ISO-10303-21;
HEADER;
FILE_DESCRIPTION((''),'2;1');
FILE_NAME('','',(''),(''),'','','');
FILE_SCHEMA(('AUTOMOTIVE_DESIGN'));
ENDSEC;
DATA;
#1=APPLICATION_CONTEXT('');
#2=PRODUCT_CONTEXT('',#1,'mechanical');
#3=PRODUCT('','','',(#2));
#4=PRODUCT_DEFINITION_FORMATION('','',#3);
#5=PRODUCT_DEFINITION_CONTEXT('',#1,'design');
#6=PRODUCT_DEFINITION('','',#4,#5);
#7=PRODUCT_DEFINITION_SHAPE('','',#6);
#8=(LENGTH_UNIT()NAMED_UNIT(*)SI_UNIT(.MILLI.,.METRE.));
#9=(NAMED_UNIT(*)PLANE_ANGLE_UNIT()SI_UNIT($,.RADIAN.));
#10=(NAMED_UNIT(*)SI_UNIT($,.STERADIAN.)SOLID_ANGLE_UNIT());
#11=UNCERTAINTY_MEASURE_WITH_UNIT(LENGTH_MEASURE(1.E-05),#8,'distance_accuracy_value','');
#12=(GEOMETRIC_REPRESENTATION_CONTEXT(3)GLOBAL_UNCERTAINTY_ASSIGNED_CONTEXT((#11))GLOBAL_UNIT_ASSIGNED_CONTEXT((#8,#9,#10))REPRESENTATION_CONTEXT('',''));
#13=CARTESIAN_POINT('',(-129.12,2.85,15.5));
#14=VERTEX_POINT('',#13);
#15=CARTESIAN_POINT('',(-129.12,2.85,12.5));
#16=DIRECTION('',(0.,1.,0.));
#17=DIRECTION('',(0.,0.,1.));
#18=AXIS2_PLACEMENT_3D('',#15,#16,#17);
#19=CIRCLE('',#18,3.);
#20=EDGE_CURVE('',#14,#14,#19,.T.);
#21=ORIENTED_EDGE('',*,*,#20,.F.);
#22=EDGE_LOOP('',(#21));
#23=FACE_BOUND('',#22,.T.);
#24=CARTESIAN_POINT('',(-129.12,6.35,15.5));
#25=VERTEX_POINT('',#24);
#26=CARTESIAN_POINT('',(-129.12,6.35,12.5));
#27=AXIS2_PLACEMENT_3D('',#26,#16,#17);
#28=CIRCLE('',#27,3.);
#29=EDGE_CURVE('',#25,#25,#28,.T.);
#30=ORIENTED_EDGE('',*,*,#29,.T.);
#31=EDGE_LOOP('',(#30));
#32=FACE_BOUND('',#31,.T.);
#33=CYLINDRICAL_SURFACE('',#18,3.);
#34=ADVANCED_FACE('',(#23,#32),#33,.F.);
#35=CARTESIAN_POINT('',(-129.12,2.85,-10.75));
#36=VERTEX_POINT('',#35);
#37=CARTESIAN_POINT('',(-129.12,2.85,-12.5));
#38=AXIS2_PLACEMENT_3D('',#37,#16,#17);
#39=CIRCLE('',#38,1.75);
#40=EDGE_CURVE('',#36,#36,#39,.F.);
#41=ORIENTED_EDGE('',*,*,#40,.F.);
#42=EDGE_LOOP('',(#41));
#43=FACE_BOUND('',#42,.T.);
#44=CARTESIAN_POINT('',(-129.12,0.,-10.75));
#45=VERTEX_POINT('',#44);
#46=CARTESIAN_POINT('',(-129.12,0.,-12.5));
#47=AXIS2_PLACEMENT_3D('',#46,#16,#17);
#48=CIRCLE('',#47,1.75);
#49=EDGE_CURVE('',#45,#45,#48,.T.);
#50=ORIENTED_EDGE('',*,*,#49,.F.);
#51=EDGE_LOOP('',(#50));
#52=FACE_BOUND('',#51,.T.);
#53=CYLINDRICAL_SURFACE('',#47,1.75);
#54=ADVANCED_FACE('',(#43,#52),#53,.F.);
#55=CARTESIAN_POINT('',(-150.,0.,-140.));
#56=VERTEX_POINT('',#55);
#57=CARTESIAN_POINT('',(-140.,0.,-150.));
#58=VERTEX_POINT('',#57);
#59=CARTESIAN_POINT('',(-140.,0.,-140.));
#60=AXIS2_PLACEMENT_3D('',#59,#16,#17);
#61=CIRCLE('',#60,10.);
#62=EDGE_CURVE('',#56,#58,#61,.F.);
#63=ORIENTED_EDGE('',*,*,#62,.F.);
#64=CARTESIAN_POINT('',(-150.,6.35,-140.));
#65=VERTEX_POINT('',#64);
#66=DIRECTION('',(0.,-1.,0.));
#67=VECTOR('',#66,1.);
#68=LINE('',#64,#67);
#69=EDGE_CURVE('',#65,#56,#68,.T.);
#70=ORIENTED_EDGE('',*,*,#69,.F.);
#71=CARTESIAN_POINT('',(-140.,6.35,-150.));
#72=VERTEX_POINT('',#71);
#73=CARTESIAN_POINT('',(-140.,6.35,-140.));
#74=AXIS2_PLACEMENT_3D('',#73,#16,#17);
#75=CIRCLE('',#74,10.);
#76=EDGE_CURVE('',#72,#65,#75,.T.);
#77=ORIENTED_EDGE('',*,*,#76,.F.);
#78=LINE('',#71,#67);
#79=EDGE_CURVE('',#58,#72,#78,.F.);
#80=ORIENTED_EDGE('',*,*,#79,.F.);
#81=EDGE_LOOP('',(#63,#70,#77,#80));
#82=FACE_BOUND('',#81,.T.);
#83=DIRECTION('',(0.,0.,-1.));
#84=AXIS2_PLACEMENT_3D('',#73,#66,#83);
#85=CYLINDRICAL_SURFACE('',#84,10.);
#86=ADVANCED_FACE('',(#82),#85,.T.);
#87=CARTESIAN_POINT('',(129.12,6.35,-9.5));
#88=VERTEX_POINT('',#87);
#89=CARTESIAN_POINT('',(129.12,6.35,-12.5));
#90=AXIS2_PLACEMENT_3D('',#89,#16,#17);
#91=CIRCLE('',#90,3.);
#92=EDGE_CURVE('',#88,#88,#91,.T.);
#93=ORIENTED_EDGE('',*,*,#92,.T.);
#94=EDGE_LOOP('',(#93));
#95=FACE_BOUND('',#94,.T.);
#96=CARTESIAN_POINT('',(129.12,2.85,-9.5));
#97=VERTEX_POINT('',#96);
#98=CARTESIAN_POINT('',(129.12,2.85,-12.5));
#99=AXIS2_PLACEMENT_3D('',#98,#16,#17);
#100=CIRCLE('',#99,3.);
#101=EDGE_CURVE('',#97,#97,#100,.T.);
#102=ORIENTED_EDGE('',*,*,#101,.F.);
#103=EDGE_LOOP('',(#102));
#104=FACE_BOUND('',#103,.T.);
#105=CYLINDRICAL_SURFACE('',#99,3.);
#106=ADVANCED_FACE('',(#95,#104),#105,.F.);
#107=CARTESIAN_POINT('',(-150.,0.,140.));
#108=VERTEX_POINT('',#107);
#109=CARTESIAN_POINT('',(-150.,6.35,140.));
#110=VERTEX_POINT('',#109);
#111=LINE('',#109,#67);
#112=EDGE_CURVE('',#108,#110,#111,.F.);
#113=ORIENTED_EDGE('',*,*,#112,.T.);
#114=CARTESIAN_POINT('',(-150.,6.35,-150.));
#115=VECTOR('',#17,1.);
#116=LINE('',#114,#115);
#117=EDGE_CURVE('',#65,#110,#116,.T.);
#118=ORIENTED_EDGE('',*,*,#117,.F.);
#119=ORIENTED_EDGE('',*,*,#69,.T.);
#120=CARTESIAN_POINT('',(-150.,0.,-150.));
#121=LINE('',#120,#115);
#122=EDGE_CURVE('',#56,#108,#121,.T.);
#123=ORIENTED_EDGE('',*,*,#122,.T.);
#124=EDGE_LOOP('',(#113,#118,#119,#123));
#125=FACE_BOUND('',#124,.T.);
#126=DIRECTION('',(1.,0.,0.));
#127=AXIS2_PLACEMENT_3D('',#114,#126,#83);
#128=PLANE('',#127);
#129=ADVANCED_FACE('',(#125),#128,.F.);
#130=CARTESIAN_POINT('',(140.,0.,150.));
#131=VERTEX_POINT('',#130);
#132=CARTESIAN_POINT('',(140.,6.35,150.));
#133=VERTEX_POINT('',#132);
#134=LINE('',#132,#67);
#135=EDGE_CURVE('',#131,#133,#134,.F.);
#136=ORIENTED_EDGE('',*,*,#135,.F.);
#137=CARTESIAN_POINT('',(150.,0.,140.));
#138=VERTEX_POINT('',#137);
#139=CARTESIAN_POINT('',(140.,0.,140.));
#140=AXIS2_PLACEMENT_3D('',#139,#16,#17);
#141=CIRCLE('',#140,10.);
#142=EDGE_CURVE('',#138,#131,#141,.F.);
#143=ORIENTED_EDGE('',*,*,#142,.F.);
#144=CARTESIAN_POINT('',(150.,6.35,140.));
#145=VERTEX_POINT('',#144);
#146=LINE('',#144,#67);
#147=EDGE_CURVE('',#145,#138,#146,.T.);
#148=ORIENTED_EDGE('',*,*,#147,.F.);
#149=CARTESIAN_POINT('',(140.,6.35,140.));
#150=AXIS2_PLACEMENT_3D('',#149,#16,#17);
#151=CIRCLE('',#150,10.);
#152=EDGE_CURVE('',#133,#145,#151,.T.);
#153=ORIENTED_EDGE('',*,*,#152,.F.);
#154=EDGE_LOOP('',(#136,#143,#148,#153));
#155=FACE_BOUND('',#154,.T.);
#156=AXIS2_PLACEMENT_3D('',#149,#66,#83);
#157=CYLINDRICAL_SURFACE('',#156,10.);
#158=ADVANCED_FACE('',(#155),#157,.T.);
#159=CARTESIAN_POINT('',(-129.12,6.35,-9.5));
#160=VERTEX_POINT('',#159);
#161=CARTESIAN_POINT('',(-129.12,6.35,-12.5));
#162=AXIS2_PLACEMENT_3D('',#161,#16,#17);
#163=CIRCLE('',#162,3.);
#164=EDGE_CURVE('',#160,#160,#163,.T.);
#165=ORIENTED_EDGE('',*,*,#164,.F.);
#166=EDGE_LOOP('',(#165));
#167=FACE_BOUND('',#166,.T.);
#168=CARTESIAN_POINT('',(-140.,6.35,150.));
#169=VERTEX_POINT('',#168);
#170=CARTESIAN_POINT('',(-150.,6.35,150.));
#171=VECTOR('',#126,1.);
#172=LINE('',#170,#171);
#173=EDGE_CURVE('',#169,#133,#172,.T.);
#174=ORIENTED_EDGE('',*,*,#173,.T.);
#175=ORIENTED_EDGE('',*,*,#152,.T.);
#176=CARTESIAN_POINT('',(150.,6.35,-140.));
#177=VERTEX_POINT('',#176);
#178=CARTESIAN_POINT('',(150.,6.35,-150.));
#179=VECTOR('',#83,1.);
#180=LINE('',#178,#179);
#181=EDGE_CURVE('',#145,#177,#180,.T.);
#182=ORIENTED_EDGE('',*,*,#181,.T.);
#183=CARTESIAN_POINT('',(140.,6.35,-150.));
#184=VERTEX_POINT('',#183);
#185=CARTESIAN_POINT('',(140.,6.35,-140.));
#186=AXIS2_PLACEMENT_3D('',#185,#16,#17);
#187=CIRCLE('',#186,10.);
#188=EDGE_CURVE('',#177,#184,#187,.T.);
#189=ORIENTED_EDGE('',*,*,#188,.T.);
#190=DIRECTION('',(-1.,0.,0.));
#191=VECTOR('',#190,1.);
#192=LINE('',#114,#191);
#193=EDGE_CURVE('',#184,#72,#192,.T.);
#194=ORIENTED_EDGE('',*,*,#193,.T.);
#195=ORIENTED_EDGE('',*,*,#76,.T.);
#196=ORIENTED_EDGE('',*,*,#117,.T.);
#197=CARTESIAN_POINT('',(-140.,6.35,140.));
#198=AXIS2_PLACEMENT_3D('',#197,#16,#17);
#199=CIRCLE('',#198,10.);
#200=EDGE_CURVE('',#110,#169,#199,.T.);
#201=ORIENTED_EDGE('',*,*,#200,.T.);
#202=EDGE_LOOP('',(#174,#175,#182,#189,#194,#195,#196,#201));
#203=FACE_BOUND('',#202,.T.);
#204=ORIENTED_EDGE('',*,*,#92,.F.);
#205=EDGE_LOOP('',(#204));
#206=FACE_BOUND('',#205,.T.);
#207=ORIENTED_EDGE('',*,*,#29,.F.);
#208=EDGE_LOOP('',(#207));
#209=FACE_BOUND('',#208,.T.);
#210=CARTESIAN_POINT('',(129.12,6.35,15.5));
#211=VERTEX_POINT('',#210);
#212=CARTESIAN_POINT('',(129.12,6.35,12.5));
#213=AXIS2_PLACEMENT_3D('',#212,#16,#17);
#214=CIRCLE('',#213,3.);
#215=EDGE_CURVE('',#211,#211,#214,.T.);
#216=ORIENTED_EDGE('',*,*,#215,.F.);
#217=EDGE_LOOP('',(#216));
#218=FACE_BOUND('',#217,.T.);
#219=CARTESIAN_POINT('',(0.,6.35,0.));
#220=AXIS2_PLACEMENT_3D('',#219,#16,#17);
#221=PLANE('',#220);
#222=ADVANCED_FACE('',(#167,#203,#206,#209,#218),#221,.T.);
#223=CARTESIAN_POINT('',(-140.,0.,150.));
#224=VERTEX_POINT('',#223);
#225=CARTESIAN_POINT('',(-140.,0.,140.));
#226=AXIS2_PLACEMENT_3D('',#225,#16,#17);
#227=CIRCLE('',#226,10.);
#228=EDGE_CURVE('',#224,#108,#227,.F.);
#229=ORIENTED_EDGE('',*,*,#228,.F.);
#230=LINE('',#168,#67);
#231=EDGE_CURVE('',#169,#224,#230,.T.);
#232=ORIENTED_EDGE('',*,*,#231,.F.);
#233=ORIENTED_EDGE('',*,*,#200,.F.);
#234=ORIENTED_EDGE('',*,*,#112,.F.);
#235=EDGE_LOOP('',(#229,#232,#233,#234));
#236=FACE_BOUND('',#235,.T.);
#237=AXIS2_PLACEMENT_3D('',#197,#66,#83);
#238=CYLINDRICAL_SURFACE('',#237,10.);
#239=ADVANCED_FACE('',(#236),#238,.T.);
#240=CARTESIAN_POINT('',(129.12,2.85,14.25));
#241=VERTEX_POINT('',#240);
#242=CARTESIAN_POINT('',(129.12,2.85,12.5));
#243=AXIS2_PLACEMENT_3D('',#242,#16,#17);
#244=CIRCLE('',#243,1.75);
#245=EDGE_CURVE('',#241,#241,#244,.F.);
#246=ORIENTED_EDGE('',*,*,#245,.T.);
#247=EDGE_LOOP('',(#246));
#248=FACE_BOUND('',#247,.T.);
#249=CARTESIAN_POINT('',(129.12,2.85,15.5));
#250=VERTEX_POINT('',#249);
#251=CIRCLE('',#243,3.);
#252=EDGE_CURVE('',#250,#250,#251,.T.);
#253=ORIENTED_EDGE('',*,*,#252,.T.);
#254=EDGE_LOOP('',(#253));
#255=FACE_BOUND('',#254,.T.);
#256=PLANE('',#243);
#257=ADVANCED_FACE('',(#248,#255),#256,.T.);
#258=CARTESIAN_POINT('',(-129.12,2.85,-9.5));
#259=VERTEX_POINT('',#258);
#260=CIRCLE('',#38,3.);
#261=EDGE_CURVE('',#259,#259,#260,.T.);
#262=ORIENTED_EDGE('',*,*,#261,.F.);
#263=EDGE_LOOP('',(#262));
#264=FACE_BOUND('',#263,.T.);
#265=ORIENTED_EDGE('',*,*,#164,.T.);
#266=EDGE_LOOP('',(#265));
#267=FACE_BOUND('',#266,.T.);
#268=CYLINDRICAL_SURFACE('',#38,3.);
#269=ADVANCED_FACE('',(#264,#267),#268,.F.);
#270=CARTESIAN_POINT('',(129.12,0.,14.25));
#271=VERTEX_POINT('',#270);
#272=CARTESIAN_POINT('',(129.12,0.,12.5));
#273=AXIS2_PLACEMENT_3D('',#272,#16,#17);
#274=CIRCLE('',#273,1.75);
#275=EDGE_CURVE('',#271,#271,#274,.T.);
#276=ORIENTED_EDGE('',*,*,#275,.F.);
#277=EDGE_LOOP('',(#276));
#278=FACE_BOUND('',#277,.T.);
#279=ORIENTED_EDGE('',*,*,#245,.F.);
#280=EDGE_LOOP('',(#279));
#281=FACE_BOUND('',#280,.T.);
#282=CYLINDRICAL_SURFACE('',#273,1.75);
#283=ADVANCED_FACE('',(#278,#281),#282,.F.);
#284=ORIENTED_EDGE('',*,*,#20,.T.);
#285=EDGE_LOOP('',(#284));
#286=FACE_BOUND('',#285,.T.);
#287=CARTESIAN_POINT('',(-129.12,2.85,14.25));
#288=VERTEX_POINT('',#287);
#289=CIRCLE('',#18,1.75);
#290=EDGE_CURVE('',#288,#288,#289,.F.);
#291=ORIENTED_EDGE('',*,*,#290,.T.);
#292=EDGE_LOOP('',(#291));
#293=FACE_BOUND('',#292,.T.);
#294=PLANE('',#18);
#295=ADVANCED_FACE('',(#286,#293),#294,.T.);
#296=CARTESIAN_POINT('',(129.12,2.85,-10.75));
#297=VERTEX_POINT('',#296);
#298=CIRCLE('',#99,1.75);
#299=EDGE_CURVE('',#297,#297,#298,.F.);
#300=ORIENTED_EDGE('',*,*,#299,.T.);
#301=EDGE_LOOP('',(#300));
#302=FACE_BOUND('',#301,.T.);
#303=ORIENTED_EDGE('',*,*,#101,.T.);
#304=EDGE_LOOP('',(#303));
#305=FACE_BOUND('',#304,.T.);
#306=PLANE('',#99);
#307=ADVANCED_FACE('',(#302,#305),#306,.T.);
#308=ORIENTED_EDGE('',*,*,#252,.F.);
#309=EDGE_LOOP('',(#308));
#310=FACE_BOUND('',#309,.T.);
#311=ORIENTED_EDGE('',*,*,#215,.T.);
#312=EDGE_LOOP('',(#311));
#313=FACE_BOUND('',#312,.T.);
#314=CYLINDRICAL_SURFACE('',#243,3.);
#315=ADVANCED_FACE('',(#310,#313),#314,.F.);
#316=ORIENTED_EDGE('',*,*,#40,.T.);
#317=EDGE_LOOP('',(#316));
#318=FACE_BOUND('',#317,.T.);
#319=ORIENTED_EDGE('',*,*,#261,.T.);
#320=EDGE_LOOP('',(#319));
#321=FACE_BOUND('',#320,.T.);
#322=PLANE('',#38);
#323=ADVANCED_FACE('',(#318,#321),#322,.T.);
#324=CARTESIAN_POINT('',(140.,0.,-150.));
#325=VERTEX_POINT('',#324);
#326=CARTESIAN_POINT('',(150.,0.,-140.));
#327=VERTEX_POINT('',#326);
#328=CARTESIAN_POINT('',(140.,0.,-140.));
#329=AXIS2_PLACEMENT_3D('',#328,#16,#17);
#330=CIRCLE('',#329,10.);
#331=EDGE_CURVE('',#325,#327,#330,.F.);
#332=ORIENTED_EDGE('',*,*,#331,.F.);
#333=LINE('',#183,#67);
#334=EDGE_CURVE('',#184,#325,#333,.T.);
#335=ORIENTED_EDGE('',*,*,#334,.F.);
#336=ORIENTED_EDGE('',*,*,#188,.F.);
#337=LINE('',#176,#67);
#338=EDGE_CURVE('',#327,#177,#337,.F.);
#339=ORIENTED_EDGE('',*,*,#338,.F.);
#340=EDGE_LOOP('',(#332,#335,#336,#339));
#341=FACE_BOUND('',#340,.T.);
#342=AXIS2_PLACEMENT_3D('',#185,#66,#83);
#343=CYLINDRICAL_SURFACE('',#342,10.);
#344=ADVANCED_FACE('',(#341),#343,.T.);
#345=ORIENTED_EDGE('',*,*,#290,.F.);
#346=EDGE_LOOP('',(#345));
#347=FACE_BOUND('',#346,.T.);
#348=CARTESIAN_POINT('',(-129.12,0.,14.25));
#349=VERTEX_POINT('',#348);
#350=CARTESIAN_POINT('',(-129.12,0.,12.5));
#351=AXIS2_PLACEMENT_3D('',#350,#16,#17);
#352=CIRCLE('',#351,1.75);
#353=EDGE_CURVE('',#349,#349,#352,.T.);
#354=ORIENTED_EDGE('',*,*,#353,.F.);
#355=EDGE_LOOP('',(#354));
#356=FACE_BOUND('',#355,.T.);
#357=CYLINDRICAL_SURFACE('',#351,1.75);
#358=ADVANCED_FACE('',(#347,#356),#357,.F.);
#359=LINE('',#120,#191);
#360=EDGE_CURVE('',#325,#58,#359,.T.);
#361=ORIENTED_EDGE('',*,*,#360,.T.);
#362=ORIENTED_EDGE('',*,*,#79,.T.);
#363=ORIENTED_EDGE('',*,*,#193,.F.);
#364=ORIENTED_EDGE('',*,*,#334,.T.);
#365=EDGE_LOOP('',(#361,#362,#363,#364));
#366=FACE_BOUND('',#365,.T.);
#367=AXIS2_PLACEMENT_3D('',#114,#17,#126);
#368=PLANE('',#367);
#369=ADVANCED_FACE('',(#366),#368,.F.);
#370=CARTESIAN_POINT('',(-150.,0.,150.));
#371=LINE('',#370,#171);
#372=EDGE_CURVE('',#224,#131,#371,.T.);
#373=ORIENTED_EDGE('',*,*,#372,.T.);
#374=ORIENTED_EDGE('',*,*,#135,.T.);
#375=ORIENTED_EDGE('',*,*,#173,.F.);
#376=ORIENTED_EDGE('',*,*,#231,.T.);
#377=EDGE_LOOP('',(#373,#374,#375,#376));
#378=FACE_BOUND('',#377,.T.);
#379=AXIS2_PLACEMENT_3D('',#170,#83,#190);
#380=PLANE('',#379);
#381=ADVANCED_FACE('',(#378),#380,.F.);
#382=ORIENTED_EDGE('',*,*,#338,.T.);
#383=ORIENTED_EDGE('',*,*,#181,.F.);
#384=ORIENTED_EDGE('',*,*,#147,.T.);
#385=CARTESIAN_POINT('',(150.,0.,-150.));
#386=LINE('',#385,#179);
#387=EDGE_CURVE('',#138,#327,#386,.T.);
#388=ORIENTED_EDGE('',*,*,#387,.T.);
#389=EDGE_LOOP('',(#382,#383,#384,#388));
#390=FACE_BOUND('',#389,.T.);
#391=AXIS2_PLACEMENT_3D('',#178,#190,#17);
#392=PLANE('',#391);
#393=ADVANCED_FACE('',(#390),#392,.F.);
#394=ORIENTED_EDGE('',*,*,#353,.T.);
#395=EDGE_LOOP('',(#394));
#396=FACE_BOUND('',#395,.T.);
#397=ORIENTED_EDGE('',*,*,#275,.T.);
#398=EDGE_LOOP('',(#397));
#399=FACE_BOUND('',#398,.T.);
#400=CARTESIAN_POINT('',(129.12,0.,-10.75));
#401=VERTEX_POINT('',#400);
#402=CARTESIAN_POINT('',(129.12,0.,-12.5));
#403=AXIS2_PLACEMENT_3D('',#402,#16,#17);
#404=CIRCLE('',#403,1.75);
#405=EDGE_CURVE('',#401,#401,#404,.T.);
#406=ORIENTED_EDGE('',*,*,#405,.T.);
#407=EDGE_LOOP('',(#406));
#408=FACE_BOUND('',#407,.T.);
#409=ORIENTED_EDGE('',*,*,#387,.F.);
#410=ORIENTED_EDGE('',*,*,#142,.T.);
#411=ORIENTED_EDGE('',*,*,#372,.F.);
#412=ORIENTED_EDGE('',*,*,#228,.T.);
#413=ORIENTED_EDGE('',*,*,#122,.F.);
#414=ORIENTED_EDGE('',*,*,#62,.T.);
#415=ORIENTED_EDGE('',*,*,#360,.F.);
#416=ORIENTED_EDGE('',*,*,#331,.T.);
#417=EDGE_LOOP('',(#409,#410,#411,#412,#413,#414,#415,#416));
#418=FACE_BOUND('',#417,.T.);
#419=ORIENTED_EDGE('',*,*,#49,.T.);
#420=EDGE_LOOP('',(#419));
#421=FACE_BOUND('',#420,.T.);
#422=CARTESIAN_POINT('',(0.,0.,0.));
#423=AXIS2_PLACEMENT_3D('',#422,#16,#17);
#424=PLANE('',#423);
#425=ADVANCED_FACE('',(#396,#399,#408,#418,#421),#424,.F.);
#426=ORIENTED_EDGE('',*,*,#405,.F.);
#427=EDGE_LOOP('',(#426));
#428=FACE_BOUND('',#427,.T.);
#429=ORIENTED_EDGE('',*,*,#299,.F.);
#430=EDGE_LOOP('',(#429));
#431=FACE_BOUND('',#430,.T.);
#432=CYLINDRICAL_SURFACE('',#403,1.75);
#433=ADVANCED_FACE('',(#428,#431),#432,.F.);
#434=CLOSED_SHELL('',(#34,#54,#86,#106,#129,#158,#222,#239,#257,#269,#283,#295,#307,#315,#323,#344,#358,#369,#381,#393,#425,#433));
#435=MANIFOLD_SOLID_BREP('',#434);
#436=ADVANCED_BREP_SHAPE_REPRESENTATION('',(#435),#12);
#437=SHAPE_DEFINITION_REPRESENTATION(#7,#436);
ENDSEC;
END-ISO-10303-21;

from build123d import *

# Parameters (mm, degrees)
SKETCH1_W            = 300
SKETCH1_H            = 300
BOSS_EXTRUDE1_DEPTH  = 6.35
FILLET1_R            = 10
SKETCH2_R            = 1.75
CUT_EXTRUDE1_DEPTH   = 7.35
SKETCH3_R            = 3
CUT_EXTRUDE2_DEPTH   = 3.5
LPATTERN1_COUNT      = 2
LPATTERN1_PITCH      = 25
LPATTERN1_COUNT_DIR2 = 2
LPATTERN1_PITCH_DIR2 = 258.24


with BuildPart() as part:
    # Sketch1 → Boss-Extrude1 (new body)
    with BuildSketch(Plane(origin=(0, 0, 0), x_dir=(1, 0, 0), z_dir=(0, 1, 0))):
        Rectangle(SKETCH1_W, SKETCH1_H)
    extrude(amount=BOSS_EXTRUDE1_DEPTH)

    # Fillet1
    fillet1_edges = [part.edges().sort_by_distance(p)[0] for p in [
        (150, 3.175, 150),
        (-150, 3.175, 150),
        (-150, 3.175, -150),
        (150, 3.175, -150),
    ]]
    fillet(fillet1_edges, radius=FILLET1_R)

    # Sketch2 → Cut-Extrude1 (cut, through all)
    with BuildSketch(Plane(origin=(0, 6.35, 0), x_dir=(1, 0, 0), z_dir=(0, 1, 0))):
        with Locations((-129.12, 12.5)):
            Circle(SKETCH2_R)
        with Locations((-129.12, -12.5)):
            Circle(SKETCH2_R)
        with Locations((129.12, 12.5)):
            Circle(SKETCH2_R)
        with Locations((129.12, -12.5)):
            Circle(SKETCH2_R)
    extrude(amount=-CUT_EXTRUDE1_DEPTH, mode=Mode.SUBTRACT)

    # Sketch3 → Cut-Extrude2 (cut)
    with BuildSketch(Plane(origin=(0, 6.35, 0), x_dir=(1, 0, 0), z_dir=(0, 1, 0))):
        with Locations((-129.12, 12.5)):
            Circle(SKETCH3_R)
    cut_extrude2 = extrude(amount=-CUT_EXTRUDE2_DEPTH, mode=Mode.SUBTRACT)

    # LPattern1: Cut-Extrude2 2 × 2
    with Locations(*[(j * LPATTERN1_PITCH_DIR2, 0, i * LPATTERN1_PITCH) for i in range(LPATTERN1_COUNT) for j in range(LPATTERN1_COUNT_DIR2) if (i, j) != (0, 0)]):
        add(cut_extrude2, mode=Mode.SUBTRACT)


solid = part.part
